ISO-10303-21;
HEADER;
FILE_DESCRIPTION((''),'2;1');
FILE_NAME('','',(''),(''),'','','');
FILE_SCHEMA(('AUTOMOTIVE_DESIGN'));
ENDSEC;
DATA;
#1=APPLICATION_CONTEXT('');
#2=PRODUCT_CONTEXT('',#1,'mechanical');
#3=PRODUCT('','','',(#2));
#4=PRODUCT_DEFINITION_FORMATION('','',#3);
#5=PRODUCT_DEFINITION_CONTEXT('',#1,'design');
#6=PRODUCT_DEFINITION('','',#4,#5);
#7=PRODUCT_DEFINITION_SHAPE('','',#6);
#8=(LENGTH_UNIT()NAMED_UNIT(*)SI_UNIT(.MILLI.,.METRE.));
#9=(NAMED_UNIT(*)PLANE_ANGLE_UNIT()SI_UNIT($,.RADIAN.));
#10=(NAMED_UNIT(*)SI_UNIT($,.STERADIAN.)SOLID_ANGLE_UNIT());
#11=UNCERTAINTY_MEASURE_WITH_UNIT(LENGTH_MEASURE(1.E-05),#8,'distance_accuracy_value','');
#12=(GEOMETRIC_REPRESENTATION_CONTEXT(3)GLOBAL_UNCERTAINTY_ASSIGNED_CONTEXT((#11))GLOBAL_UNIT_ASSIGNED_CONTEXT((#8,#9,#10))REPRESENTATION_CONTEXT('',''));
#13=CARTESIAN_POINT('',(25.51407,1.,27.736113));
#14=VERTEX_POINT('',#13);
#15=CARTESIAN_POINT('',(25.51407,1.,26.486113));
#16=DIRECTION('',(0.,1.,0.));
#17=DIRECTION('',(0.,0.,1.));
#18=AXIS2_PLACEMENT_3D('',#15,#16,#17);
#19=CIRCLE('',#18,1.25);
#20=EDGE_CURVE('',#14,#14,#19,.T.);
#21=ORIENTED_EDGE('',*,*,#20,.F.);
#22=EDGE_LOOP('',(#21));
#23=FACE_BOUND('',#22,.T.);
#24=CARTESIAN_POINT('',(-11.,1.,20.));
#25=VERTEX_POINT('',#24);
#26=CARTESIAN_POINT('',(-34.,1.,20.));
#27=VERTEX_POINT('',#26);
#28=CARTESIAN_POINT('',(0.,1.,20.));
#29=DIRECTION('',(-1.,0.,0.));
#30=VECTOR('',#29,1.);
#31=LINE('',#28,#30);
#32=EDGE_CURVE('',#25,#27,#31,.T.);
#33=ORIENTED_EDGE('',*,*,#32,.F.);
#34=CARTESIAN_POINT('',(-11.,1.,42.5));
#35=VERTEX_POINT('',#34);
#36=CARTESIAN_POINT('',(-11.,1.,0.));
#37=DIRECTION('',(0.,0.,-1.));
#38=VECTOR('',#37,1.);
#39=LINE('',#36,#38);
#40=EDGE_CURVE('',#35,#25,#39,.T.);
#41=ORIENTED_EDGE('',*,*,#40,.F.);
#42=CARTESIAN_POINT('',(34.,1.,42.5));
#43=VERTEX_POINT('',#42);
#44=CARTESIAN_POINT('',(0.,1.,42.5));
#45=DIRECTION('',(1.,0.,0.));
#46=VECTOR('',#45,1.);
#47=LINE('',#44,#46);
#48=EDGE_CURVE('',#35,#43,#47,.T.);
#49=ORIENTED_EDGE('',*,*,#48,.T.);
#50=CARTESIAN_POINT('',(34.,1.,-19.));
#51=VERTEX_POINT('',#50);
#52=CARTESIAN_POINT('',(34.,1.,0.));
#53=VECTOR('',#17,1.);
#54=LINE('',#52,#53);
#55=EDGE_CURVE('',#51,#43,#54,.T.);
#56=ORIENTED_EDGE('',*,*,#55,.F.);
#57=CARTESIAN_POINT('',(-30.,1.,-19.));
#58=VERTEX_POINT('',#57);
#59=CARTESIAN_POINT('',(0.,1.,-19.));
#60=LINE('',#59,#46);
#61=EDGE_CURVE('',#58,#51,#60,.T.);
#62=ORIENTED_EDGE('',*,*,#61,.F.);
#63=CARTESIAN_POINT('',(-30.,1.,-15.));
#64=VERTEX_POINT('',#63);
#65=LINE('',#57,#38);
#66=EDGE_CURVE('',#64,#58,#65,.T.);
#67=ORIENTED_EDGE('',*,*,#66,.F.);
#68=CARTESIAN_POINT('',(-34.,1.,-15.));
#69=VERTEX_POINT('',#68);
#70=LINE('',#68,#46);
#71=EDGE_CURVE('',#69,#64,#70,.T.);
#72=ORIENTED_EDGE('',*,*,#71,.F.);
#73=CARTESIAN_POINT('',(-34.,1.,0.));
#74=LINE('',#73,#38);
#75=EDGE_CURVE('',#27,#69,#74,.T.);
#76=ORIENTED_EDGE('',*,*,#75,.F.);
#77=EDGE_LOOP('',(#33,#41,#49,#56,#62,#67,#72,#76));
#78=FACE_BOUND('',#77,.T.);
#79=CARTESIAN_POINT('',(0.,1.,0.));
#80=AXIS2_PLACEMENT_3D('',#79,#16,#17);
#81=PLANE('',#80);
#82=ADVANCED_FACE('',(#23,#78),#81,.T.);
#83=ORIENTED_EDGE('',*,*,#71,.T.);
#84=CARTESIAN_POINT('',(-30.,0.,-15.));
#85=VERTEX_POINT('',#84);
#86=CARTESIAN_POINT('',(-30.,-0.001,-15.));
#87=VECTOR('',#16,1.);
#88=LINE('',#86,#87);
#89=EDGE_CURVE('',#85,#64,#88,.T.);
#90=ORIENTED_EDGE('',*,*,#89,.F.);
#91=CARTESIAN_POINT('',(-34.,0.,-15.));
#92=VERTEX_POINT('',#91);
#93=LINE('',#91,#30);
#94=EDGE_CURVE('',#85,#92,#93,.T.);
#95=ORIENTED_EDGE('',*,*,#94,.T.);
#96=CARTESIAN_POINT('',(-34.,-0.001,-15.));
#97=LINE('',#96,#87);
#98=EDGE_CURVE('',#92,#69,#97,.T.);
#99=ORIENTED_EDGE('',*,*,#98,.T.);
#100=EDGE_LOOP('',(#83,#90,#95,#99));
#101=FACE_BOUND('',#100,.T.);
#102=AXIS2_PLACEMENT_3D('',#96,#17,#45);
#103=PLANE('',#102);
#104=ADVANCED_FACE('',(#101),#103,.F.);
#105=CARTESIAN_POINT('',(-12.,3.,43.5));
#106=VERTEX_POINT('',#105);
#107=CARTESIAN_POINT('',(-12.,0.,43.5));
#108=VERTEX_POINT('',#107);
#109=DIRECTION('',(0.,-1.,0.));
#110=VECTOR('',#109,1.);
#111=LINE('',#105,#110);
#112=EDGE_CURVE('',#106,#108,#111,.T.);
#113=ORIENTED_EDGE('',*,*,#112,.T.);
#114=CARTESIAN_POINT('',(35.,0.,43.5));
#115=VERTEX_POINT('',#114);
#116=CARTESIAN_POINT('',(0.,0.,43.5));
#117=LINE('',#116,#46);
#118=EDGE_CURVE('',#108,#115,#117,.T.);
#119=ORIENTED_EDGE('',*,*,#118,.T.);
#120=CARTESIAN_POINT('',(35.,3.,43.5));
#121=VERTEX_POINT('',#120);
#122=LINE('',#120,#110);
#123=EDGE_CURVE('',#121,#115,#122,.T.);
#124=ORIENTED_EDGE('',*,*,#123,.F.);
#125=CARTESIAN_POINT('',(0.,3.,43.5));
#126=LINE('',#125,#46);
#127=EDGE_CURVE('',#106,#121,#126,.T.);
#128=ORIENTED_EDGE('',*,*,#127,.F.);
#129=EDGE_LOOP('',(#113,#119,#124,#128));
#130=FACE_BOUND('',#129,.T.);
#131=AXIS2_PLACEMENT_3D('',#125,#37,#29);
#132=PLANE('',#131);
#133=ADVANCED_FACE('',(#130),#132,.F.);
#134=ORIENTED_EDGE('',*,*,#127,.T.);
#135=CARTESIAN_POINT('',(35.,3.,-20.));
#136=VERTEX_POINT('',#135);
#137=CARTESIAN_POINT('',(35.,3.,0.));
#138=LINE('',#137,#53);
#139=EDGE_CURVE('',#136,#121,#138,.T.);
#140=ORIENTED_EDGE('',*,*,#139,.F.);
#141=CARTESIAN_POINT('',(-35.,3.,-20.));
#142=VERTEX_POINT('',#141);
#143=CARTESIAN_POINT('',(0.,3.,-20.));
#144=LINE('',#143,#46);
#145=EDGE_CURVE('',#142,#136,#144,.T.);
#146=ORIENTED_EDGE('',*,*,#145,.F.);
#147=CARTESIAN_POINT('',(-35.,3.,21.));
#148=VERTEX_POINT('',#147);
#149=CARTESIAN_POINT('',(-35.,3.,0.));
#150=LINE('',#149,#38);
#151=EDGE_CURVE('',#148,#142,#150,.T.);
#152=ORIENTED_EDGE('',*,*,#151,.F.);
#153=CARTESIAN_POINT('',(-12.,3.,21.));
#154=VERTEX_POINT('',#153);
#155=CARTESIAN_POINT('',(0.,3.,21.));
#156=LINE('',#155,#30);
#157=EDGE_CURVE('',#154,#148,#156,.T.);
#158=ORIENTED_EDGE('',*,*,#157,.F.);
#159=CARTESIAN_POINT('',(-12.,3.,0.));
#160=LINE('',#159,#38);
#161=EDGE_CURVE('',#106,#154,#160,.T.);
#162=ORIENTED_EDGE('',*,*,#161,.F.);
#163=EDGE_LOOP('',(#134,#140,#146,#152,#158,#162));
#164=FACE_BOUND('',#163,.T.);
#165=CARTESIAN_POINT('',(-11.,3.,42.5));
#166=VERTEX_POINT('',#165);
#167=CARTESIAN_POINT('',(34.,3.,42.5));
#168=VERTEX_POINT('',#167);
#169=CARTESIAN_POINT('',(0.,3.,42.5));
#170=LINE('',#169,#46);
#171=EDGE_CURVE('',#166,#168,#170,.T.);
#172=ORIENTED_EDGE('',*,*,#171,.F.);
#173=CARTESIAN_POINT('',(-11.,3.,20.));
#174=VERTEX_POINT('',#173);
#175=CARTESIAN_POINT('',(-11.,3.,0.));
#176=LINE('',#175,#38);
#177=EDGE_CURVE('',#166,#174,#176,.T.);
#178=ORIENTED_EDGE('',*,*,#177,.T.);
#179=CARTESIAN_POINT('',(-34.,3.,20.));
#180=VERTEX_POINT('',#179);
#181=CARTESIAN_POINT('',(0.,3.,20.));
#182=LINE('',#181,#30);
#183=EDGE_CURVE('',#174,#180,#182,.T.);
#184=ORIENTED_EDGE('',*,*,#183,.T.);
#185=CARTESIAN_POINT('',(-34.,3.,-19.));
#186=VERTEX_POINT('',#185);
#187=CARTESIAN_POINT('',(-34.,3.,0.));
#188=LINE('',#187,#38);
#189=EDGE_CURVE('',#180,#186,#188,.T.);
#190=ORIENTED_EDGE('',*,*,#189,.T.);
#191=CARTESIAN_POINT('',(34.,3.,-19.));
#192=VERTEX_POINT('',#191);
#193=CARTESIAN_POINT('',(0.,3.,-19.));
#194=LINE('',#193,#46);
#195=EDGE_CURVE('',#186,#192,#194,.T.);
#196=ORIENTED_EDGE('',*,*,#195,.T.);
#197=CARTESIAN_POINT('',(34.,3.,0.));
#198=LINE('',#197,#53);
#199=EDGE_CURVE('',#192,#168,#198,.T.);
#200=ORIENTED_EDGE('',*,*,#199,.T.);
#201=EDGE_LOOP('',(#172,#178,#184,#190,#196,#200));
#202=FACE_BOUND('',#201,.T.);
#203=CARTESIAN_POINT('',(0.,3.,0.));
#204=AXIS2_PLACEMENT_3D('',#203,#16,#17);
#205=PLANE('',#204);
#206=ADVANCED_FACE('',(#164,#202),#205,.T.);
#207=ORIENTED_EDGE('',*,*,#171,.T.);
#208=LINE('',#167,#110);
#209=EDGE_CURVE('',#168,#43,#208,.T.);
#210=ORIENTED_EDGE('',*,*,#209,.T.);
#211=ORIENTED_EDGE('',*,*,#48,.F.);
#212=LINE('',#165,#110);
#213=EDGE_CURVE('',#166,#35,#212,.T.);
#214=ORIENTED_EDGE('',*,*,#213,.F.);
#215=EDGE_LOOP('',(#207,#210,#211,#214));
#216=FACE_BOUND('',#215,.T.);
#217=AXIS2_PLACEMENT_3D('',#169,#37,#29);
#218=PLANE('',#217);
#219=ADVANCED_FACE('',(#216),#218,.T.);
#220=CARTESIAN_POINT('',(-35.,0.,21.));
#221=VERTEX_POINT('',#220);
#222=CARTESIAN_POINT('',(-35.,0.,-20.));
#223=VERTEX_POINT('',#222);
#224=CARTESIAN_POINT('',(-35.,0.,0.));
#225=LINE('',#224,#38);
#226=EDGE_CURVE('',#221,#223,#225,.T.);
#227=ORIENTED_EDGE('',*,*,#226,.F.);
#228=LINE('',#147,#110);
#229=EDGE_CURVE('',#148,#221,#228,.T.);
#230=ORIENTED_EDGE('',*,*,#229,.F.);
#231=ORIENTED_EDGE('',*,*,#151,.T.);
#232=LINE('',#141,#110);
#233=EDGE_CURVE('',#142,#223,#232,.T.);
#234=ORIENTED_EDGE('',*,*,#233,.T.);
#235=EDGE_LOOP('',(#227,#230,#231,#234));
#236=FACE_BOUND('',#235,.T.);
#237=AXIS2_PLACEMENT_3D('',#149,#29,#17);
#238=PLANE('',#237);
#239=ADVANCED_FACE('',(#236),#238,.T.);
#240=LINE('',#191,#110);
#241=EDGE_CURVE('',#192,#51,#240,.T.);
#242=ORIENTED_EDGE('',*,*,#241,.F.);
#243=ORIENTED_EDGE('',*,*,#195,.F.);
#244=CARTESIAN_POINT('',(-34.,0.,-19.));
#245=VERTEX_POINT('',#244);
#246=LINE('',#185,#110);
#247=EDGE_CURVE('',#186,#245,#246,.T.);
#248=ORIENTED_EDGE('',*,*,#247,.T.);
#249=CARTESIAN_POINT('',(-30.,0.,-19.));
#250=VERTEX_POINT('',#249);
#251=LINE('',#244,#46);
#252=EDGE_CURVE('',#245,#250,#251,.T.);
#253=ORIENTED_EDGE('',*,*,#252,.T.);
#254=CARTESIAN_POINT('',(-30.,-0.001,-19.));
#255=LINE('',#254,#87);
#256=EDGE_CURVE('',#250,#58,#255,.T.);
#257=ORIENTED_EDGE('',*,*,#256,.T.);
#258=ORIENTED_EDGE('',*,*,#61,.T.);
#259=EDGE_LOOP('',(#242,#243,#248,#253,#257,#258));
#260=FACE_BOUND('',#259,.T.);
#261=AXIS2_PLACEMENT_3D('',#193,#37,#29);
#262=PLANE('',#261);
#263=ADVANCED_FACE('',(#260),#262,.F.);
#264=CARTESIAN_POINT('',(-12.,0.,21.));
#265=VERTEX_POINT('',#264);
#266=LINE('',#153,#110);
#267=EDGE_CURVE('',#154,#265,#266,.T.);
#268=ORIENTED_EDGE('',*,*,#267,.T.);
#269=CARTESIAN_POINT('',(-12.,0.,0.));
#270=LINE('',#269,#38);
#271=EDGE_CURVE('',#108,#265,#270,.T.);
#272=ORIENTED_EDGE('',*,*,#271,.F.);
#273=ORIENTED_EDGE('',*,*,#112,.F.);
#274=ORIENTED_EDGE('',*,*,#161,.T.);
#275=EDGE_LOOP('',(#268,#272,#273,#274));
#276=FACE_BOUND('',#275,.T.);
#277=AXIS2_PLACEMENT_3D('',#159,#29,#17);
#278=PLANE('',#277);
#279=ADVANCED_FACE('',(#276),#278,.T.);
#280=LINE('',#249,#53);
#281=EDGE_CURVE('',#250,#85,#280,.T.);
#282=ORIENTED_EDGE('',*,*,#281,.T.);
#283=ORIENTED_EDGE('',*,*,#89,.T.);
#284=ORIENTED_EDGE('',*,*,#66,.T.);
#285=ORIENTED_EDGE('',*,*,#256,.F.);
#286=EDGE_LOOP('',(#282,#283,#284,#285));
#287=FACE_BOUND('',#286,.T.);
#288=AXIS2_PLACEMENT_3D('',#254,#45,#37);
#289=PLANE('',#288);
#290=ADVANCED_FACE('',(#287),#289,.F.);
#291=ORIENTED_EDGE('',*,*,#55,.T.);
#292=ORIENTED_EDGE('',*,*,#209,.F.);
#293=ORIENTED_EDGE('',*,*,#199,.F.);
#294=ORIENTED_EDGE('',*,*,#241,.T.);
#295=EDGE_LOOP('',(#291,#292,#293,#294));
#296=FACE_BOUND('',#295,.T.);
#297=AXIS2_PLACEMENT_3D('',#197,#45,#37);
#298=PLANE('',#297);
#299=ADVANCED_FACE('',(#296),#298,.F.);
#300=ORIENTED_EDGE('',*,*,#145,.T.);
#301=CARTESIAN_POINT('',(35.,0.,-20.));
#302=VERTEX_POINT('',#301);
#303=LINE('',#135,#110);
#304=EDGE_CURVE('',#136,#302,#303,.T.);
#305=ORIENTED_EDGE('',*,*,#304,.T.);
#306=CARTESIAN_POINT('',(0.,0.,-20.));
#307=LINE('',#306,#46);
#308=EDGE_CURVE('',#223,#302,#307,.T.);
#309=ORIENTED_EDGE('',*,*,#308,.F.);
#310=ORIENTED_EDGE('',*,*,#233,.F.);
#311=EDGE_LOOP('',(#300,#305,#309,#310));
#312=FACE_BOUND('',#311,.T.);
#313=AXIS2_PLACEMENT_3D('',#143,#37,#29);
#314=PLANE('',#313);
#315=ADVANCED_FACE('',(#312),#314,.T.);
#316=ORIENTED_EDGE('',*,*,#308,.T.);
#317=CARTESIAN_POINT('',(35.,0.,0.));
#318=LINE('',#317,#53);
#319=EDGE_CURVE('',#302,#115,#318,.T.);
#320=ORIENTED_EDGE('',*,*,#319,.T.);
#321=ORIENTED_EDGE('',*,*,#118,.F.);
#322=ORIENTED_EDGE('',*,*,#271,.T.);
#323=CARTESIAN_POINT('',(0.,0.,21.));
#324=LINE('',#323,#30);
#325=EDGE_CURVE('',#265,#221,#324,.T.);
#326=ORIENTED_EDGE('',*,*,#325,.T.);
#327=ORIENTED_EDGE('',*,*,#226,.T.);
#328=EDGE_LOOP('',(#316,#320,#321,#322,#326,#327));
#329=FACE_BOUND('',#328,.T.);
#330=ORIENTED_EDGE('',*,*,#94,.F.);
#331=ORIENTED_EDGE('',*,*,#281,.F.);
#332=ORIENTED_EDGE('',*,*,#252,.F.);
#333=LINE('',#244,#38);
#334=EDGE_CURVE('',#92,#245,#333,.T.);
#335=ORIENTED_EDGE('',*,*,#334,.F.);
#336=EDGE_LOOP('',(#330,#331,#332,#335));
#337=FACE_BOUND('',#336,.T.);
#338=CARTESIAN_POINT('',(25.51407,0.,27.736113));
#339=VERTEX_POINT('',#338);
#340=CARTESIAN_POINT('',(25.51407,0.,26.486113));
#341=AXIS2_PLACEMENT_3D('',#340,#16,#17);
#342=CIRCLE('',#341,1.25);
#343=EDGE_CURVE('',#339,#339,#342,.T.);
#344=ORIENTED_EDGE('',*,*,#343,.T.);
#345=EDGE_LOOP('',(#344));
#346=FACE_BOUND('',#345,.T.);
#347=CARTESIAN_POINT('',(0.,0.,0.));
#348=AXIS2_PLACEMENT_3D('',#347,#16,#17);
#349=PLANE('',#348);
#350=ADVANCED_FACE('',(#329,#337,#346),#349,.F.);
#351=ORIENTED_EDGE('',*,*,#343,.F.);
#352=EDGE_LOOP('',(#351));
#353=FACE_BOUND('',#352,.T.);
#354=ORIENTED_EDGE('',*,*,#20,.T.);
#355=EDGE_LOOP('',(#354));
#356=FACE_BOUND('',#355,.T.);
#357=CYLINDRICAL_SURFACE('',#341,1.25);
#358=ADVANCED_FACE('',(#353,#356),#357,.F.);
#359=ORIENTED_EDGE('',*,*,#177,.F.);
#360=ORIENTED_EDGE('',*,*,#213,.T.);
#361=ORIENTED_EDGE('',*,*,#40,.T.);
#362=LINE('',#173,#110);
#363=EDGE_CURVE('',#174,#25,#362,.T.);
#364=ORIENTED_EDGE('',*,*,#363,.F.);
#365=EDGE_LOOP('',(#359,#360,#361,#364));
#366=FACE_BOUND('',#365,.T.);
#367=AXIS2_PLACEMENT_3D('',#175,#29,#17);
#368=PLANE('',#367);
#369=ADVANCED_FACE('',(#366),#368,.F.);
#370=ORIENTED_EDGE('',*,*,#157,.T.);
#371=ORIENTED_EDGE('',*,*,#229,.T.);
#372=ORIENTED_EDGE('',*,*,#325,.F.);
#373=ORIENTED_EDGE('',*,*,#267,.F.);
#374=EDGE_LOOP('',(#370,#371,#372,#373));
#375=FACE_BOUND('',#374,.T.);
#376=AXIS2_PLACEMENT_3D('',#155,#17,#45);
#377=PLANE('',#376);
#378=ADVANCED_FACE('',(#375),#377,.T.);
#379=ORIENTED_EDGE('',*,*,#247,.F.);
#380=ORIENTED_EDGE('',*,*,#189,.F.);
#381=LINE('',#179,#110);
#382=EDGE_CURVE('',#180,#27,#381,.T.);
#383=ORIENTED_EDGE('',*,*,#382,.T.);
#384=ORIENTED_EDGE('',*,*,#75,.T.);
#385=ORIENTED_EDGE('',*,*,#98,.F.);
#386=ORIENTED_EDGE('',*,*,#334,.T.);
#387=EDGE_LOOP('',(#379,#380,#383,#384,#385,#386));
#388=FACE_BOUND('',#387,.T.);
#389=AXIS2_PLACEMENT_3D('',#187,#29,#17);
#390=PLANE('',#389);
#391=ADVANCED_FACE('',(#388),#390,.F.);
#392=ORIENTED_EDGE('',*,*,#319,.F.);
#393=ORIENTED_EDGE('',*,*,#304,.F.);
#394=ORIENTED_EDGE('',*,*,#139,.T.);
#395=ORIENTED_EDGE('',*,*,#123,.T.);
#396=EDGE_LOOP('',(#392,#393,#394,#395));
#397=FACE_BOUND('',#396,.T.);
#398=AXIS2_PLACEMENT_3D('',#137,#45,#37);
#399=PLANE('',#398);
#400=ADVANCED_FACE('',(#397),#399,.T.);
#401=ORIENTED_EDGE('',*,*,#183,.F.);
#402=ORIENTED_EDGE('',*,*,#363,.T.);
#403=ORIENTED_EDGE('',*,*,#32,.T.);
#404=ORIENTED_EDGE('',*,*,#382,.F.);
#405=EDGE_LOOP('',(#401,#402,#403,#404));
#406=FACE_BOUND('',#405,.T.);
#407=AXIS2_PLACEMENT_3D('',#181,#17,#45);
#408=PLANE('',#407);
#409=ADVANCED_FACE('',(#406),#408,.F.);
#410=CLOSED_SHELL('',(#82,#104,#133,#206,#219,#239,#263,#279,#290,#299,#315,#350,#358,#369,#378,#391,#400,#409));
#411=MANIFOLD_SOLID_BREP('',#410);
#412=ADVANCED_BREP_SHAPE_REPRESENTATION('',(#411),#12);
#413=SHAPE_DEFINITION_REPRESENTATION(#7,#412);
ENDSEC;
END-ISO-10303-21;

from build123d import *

# Parameters (mm, degrees)
BOSS_EXTRUDE1_DEPTH = 3
CUT_EXTRUDE2_START  = 1
CUT_EXTRUDE2_DEPTH  = 55.91287866
SKETCH2_R           = 1.25
CUT_EXTRUDE3_DEPTH  = 56.868148349
CUT_EXTRUDE4_REACH  = 57.868
SKETCH3_W           = 4
SKETCH3_H           = 4


with BuildPart() as part:
    # Sketch1 → Boss-Extrude1 (new body)
    with BuildSketch(Plane(origin=(0, 0, 0), x_dir=(1, 0, 0), z_dir=(0, 1, 0))):
        Polygon((35, 20), (-35, 20), (-35, -21), (-12, -21), (-12, -43.5), (35, -43.5), align=None)
    extrude(amount=BOSS_EXTRUDE1_DEPTH)

    # Sketch1<6> → Cut-Extrude2 (cut, through all)
    with BuildSketch(Plane(origin=(0, 0, 0), x_dir=(1, 0, 0), z_dir=(0, 1, 0)).offset(CUT_EXTRUDE2_START)):
        Polygon((-34, 19), (-34, -18), (-34, -20), (-11, -20), (-11, -42.5), (34, -42.5), (34, -20), (34, -18), (34, 19), align=None)
    extrude(amount=CUT_EXTRUDE2_DEPTH, mode=Mode.SUBTRACT)

    # Sketch2 → Cut-Extrude3 (cut, through all)
    with BuildSketch(Plane(origin=(0, 1, 0), x_dir=(1, 0, 0), z_dir=(0, 1, 0))):
        with Locations((25.514070345, -26.486113073)):
            Circle(SKETCH2_R)
    extrude(amount=-CUT_EXTRUDE3_DEPTH, mode=Mode.SUBTRACT)

    # Sketch3 → Cut-Extrude4 (cut, up to next)
    with BuildSketch(Plane(origin=(0, 1, 0), x_dir=(1, 0, 0), z_dir=(0, 1, 0)), mode=Mode.PRIVATE) as cut_extrude4_sk1:
        with Locations((-32, 17)):
            Rectangle(SKETCH3_W, SKETCH3_H)
    cut_extrude4_tool1 = extrude(cut_extrude4_sk1.sketch, amount=-CUT_EXTRUDE4_REACH, mode=Mode.PRIVATE) & part.part
    add(cut_extrude4_tool1.solids().sort_by_distance((-32, 1, -17))[0], mode=Mode.SUBTRACT)


solid = part.part
